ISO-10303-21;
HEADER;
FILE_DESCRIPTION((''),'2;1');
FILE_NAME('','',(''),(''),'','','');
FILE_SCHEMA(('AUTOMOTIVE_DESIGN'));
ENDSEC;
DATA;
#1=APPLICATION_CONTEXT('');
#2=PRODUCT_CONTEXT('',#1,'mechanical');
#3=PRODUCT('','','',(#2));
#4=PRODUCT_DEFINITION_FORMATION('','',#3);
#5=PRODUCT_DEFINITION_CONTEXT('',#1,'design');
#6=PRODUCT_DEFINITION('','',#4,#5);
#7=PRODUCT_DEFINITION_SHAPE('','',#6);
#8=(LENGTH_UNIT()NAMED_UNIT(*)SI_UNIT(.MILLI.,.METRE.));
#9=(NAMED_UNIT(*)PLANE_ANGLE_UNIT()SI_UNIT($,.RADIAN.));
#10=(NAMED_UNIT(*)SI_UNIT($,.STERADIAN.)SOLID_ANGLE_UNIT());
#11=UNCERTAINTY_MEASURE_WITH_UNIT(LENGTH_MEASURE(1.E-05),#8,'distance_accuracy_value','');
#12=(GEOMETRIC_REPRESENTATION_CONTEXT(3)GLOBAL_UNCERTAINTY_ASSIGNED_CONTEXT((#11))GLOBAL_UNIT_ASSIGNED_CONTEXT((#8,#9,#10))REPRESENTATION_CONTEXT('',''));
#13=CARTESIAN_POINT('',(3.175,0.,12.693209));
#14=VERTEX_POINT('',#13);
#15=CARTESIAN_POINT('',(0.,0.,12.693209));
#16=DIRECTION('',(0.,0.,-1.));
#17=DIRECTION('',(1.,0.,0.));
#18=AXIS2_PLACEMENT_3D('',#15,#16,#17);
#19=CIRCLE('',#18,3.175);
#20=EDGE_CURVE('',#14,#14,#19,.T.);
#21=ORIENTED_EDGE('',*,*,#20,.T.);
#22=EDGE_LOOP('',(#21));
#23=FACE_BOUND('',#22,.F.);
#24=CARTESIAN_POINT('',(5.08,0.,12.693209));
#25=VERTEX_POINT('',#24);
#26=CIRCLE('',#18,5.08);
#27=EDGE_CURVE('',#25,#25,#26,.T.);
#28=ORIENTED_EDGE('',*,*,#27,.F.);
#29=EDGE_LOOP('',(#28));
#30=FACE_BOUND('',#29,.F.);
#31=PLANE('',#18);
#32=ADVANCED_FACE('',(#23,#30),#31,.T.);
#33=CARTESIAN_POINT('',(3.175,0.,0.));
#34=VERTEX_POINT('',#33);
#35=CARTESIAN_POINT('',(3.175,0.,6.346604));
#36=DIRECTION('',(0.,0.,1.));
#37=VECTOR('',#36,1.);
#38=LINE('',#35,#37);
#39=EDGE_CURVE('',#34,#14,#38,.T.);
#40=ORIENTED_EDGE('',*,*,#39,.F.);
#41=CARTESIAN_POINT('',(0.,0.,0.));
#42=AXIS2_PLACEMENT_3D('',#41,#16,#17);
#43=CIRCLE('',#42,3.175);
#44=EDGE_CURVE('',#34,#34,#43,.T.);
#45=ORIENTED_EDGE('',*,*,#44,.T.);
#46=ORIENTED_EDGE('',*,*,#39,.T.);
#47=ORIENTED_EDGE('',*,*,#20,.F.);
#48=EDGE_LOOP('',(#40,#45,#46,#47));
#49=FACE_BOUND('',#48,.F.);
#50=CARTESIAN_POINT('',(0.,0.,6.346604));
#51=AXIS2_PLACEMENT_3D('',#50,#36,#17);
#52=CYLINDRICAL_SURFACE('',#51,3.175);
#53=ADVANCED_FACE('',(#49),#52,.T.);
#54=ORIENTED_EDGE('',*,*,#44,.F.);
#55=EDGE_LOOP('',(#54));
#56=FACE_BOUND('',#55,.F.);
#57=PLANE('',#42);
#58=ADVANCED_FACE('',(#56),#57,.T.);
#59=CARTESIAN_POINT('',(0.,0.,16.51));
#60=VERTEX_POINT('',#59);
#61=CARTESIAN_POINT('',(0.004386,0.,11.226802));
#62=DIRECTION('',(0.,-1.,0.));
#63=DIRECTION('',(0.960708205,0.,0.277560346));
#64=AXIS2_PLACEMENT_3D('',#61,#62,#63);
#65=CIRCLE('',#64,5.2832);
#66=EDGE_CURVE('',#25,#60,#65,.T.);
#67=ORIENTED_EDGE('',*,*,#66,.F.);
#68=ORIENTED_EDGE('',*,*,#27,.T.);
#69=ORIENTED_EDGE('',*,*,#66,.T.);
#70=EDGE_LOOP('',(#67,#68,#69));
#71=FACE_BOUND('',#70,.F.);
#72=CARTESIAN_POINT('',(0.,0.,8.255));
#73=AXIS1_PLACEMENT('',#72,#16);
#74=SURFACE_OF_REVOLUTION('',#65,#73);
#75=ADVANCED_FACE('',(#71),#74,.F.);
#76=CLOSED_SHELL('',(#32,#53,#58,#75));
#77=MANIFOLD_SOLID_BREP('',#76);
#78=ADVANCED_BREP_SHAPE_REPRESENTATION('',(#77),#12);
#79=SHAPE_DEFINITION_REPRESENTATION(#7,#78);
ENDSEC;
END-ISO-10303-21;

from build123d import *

# Parameters (mm, degrees)
F0_W = 3.175
F0_H = 12.6932086423


with BuildPart() as f1:
    # F0 (on Front) → F1 (revolve)
    with BuildSketch(Plane.XZ):
        with Locations((1.5875, 6.3466043212)):
            Rectangle(F0_W, F0_H)
        with BuildLine():
            Line((0, 16.51), (0, 12.6932086423))
            Line((0, 12.6932086423), (3.175, 12.6932086423))
            Line((3.175, 12.6932086423), (5.08, 12.6932086423))
            ThreePointArc((5.08, 12.6932086423), (3.177919197, 15.4506498196), (0, 16.51))
        make_face()
    revolve(axis=Axis((0, 0, 8.255), (0, 0, -1)))


solid = f1.part
